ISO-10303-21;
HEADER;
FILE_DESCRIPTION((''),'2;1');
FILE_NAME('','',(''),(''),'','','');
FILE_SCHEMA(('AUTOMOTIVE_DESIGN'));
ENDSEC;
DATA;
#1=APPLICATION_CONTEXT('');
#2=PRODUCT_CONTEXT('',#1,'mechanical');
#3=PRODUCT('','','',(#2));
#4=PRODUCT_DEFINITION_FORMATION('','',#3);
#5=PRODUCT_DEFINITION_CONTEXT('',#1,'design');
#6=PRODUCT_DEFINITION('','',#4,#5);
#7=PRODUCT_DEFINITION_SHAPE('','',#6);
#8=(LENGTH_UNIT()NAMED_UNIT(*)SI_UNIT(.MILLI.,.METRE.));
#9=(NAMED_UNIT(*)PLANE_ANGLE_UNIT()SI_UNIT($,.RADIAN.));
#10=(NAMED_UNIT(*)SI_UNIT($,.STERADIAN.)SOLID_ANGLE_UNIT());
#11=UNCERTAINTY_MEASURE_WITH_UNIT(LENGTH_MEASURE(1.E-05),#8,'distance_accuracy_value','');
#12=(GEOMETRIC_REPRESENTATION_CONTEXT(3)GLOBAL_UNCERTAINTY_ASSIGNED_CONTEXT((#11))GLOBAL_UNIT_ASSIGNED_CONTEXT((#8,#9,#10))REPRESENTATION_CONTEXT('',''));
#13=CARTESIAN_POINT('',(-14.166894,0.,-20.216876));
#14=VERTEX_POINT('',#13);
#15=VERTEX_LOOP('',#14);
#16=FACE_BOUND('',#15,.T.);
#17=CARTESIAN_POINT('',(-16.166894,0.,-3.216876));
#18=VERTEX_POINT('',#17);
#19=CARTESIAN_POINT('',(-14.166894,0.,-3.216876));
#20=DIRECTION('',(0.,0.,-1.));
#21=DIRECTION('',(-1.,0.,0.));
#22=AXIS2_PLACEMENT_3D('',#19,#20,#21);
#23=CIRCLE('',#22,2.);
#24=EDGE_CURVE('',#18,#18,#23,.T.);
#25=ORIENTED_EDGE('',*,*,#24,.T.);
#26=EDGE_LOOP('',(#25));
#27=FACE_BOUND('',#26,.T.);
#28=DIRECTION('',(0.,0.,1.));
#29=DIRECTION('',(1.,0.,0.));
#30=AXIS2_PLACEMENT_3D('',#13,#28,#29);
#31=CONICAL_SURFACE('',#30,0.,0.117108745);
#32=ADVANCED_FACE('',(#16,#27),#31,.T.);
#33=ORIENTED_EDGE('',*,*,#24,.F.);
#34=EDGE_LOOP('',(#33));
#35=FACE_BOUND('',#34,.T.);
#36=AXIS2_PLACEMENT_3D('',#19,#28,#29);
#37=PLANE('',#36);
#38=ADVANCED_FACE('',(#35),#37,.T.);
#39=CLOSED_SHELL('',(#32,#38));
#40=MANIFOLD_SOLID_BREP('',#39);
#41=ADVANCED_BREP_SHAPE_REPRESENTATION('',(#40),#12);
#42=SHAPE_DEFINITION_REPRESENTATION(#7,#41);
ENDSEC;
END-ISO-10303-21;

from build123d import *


with BuildPart() as part:
    # Sketch3 → Revolve1 (revolve)
    with BuildSketch(Plane(origin=(0, 0, 0), x_dir=(1, 0, 0), z_dir=(0, 1, 0)), mode=Mode.PRIVATE) as revolve1_sk:
        Polygon((-14.166894013, 20.216875821), (-14.166894013, 3.216875821), (-16.166894013, 3.216875821), align=None)
    revolve(revolve1_sk.sketch.rotate(Axis((-14.166894013, 0, -24.41070842), (0, 0, 1)), 180), axis=Axis((-14.166894013, 0, -24.41070842), (0, 0, 1)))


solid = part.part
